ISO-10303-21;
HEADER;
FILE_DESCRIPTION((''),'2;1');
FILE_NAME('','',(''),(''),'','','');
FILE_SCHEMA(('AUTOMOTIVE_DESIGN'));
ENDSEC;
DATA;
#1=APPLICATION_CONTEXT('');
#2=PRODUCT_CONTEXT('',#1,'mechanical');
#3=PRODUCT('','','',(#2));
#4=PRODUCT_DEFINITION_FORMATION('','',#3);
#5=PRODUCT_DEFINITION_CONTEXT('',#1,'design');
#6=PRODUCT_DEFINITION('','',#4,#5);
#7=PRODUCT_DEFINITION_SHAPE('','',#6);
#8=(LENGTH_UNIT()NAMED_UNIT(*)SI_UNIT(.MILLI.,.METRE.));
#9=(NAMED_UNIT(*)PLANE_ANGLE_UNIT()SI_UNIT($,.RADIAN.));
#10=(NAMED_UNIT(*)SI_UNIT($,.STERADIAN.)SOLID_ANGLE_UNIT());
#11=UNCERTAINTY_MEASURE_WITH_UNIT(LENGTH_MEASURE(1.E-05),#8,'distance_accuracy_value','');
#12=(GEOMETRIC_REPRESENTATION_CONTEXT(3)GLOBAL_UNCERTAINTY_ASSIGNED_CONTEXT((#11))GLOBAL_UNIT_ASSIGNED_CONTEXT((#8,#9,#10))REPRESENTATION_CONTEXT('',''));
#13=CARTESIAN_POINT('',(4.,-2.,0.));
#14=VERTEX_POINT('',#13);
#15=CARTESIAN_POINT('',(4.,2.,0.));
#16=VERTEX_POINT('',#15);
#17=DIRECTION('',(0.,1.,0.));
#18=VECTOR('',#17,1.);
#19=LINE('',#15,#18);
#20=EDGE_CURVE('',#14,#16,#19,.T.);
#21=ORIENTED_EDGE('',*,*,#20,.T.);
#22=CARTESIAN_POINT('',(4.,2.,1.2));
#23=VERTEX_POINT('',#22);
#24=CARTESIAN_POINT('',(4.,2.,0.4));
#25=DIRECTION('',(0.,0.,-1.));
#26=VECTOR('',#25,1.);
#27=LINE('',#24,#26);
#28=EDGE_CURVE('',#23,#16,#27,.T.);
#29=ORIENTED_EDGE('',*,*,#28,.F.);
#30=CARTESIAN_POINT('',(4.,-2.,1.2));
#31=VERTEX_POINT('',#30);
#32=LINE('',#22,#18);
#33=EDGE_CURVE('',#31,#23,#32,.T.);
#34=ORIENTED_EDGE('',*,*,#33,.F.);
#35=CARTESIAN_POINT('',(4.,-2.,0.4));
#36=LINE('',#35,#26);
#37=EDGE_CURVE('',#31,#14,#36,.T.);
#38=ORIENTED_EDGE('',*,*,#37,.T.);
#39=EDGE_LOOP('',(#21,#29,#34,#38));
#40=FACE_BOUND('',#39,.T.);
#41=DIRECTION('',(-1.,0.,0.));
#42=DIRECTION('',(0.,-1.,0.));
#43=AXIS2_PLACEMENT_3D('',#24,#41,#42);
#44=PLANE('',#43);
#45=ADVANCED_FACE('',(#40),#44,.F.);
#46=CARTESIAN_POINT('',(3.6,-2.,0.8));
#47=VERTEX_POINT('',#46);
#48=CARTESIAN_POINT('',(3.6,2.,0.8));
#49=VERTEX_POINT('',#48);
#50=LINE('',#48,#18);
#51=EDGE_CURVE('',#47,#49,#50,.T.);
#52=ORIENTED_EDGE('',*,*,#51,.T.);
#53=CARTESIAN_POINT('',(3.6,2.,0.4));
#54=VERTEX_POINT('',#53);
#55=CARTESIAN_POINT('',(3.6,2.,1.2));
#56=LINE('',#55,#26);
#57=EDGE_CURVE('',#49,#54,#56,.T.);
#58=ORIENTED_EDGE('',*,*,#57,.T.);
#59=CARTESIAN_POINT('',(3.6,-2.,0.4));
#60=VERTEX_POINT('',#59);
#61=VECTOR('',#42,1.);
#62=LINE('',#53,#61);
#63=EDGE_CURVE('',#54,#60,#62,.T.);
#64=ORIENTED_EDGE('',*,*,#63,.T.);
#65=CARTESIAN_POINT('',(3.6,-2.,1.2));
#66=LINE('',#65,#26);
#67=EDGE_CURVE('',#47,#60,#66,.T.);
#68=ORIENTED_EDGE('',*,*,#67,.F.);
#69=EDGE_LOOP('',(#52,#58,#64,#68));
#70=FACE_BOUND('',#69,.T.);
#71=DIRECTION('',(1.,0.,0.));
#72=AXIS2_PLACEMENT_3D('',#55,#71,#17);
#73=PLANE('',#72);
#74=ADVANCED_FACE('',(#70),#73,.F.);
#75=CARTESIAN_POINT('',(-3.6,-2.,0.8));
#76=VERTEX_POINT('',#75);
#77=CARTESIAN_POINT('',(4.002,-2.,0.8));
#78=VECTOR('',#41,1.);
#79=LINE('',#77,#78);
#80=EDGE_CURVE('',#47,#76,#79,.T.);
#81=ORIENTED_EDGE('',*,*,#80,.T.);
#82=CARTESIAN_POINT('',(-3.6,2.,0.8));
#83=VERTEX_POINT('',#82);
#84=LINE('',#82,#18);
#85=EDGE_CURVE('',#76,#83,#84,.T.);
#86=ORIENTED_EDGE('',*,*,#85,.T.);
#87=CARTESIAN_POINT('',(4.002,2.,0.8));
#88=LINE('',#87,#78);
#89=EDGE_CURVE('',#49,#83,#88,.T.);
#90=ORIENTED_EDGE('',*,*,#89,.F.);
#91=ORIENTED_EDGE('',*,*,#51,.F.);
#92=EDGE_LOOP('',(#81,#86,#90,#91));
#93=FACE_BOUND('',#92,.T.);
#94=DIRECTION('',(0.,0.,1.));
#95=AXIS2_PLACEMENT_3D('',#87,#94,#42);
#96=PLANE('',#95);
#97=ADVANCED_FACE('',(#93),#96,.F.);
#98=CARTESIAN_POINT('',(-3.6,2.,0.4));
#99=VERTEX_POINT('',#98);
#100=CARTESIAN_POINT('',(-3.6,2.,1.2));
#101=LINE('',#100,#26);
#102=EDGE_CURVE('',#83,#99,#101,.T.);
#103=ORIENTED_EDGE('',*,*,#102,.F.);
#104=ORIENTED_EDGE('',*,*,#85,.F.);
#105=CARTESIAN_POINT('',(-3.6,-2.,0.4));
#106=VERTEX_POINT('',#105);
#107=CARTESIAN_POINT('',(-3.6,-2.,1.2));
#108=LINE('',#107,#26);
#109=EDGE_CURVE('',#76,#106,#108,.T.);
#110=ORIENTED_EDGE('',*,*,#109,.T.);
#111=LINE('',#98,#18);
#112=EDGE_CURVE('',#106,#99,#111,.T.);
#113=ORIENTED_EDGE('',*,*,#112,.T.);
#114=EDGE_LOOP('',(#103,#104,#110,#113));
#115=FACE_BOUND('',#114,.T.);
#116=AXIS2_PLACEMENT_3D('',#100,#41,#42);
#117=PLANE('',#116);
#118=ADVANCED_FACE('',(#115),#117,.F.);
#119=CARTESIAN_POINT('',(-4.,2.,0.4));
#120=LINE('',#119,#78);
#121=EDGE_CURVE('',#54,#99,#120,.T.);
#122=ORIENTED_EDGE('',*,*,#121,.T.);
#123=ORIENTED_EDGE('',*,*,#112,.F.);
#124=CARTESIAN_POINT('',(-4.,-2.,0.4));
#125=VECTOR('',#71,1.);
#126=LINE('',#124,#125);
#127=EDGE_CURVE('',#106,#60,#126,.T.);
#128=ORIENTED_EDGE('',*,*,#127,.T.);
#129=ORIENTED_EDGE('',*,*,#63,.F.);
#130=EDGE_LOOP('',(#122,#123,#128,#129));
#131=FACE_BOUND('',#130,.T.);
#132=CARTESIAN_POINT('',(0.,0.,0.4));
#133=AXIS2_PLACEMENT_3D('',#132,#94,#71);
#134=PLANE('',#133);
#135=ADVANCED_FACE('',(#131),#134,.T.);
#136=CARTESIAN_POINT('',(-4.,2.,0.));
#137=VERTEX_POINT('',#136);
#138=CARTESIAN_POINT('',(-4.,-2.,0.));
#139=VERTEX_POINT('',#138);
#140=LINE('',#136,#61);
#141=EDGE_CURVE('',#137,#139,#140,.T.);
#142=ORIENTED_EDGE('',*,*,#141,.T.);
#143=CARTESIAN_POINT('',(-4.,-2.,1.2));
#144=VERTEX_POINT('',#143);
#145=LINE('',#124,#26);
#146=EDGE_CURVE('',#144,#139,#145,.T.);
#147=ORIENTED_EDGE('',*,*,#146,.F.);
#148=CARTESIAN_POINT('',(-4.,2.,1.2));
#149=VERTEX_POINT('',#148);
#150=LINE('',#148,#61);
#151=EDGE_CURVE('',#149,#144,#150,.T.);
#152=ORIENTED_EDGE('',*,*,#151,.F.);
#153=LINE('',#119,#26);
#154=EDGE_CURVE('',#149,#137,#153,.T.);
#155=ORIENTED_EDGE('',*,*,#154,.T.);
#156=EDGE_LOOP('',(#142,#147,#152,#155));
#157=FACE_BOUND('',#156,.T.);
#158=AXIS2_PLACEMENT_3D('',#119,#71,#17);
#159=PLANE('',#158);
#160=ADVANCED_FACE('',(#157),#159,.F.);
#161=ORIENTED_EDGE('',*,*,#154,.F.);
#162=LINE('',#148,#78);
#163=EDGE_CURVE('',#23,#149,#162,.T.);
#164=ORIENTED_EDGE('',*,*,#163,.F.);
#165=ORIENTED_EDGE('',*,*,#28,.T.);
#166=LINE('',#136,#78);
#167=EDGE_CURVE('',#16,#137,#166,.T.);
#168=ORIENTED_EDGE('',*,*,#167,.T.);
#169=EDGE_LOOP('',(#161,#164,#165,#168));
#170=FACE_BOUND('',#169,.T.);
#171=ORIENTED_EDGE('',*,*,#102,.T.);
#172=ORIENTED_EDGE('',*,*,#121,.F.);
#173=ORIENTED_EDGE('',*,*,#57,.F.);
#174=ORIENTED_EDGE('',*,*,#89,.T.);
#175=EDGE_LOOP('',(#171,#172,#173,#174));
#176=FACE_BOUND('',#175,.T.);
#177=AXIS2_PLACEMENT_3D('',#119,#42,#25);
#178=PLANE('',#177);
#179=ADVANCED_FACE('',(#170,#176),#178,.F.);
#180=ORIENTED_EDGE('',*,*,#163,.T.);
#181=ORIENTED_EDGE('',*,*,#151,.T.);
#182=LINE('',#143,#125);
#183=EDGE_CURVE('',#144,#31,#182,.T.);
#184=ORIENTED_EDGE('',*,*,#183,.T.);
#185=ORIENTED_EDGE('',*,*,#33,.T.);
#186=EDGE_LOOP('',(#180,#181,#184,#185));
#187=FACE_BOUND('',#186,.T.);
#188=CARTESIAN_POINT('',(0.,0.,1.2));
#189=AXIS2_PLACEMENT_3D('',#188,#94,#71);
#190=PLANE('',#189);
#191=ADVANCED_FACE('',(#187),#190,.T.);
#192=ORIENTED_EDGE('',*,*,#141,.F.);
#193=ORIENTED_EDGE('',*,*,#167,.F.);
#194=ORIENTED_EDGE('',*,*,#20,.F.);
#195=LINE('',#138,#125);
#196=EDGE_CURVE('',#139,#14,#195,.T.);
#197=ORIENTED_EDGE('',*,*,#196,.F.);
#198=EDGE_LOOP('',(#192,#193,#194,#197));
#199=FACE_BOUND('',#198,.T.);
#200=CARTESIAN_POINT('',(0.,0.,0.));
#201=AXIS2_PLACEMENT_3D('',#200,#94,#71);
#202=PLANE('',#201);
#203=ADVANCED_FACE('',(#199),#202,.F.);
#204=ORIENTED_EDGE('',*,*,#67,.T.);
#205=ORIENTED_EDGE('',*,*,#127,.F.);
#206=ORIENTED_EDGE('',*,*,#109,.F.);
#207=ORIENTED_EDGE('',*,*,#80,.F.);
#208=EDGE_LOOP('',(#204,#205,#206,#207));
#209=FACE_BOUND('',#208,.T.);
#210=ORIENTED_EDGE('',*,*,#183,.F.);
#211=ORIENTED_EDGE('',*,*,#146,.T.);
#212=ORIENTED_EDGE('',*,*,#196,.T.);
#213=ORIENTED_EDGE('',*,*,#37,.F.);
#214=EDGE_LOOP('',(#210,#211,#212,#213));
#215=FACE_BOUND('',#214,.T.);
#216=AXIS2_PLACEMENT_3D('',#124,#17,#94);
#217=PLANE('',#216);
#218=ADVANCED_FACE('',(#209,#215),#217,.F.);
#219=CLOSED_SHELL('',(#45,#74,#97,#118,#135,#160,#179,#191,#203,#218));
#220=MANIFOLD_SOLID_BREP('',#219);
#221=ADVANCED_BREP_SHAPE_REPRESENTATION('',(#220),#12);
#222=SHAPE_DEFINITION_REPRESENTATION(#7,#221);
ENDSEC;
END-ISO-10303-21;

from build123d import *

# Parameters (mm, degrees)
SKETCH2_W           = 8
SKETCH2_H           = 4
BOSS_EXTRUDE1_DEPTH = 0.4
SKETCH3_W           = 0.4
SKETCH3_H           = 4
BOSS_EXTRUDE2_DEPTH = 0.8
SKETCH4_W           = 0.4
SKETCH4_H           = 4
BOSS_EXTRUDE3_DEPTH = 0.8
BOSS_EXTRUDE4_REACH = 9.6
SKETCH5_W           = 0.4
SKETCH5_H           = 4


with BuildPart() as part:
    # Sketch2 → Boss-Extrude1 (new body)
    with BuildSketch(Plane.XY):
        Rectangle(SKETCH2_W, SKETCH2_H)
    extrude(amount=BOSS_EXTRUDE1_DEPTH)

    # Sketch3 → Boss-Extrude2 (add)
    with BuildSketch(Plane.XY.offset(0.4)):
        with Locations((-3.8, 0)):
            Rectangle(SKETCH3_W, SKETCH3_H)
    extrude(amount=BOSS_EXTRUDE2_DEPTH)

    # Sketch4 → Boss-Extrude3 (add)
    with BuildSketch(Plane.XY.offset(0.4)):
        with Locations((3.8, 0)):
            Rectangle(SKETCH4_W, SKETCH4_H)
    extrude(amount=BOSS_EXTRUDE3_DEPTH)

    # Sketch5 → Boss-Extrude4 (add, up to next)
    with BuildSketch(Plane(origin=(-3.6, 0, 0), x_dir=(0, 0, -1), z_dir=(1, 0, 0)), mode=Mode.PRIVATE) as boss_extrude4_sk1:
        with Locations((-1, 0)):
            Rectangle(SKETCH5_W, SKETCH5_H)
    boss_extrude4_tool1 = extrude(boss_extrude4_sk1.sketch, amount=BOSS_EXTRUDE4_REACH, mode=Mode.PRIVATE) - part.part
    add(boss_extrude4_tool1.solids().sort_by_distance((-3.6, 0, 1))[0])


solid = part.part
